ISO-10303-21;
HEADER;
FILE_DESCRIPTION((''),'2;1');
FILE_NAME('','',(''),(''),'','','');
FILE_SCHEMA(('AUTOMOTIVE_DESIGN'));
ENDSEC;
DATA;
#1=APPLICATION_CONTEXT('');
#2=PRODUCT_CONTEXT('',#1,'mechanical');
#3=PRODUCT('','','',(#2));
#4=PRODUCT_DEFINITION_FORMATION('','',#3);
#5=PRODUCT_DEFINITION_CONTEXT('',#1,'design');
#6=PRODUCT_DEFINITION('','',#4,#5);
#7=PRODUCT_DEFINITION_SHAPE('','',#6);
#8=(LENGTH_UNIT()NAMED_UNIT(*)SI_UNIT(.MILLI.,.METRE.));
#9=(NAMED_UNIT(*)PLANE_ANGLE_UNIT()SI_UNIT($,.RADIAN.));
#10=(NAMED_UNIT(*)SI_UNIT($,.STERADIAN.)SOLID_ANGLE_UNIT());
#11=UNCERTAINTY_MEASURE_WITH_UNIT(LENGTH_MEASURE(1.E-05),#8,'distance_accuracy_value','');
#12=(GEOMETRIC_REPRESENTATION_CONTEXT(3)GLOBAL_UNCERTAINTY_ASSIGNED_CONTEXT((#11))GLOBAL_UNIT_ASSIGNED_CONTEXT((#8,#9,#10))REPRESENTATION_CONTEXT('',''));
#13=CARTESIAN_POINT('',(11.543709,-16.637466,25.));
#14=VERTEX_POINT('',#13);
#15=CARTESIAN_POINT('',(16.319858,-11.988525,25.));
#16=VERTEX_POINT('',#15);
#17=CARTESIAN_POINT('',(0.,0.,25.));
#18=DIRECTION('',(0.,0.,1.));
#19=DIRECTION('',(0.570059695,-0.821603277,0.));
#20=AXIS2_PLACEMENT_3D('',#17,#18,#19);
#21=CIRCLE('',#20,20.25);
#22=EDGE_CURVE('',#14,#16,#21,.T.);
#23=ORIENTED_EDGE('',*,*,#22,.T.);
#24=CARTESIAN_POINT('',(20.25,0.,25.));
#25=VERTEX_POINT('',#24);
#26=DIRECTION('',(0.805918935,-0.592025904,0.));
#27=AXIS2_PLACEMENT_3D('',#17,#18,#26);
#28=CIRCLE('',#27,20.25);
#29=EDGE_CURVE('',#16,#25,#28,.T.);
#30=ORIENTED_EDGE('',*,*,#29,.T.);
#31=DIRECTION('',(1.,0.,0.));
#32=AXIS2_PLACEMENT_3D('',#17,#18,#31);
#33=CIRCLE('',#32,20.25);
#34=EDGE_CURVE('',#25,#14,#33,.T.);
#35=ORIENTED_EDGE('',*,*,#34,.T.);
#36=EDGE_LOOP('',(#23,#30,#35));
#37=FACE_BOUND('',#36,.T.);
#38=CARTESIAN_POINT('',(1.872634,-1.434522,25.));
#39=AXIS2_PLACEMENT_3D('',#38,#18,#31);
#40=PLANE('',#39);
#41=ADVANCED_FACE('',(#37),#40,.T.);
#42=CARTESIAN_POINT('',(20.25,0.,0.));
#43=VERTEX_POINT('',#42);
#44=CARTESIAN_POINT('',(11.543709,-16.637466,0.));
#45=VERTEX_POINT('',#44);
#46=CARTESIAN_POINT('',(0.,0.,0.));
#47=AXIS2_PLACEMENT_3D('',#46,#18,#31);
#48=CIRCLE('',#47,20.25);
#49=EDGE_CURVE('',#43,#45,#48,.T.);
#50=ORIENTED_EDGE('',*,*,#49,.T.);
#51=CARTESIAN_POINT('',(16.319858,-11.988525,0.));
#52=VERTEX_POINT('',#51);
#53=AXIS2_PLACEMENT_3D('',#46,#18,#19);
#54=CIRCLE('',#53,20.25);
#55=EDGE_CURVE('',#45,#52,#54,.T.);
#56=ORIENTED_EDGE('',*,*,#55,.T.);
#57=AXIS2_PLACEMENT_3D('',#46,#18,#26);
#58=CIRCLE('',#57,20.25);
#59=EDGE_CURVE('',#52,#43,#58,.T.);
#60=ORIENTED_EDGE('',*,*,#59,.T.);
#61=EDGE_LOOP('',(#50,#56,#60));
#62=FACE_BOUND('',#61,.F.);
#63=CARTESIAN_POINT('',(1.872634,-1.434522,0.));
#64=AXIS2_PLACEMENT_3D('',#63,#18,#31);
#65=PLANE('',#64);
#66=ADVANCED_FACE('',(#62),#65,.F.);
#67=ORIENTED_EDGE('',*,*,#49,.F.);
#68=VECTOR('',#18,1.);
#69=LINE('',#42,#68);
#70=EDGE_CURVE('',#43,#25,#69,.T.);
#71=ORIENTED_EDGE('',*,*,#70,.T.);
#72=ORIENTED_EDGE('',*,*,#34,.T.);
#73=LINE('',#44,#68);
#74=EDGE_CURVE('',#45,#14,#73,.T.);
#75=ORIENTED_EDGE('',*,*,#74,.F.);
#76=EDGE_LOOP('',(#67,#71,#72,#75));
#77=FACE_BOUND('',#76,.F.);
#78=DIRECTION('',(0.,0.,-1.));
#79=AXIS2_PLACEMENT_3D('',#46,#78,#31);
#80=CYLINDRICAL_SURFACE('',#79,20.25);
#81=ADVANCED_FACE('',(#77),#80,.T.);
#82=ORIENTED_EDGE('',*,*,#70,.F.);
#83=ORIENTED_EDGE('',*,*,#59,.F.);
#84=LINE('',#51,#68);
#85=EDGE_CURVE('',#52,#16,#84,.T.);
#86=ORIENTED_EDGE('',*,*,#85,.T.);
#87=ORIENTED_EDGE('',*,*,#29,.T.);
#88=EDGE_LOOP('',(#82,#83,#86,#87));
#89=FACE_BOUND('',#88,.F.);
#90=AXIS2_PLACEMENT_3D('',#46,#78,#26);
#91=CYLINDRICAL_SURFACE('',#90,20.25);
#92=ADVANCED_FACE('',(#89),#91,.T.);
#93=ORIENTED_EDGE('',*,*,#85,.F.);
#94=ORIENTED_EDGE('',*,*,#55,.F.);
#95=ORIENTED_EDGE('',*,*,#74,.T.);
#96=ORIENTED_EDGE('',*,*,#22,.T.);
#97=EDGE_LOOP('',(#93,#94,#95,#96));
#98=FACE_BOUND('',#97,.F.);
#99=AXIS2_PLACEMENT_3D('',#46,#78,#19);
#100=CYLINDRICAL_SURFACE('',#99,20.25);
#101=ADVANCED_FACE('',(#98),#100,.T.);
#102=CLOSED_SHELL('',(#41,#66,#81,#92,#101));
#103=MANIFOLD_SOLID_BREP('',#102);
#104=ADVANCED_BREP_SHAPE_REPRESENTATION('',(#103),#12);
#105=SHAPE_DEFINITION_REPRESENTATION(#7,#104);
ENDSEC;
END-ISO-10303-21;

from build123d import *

# Parameters (mm, degrees)
F0_R     = 3
F1_DEPTH = 25


with BuildPart() as f1:
    # F0 (on Top) → F1 (new body)
    with BuildSketch(Plane.XY):
        with BuildLine():
            ThreePointArc((16.3198584303, -11.9885245471), (19.2423963322, -6.3081442115), (20.25, 0))
            ThreePointArc((20.25, 0), (-17.9418867962, 9.3888869518), (11.5437088204, -16.6374663537))
            ThreePointArc((11.5437088204, -16.6374663537), (8.6838704474, -8.921484969), (16.3198584303, -11.988524547))
        make_face()
        with BuildLine():
            ThreePointArc((16.3198584303, -11.988524547), (8.6838704474, -8.921484969), (11.5437088204, -16.6374663537))
            ThreePointArc((11.5437088204, -16.6374663537), (14.1243675952, -14.510849046), (16.3198584303, -11.9885245471))
        make_face()
        with Locations((11.8226188019, -12.1461180904)):
            Circle(F0_R, mode=Mode.SUBTRACT)
        with Locations((11.8226188019, -12.1461180904)):
            Circle(F0_R)
    extrude(amount=F1_DEPTH)


solid = f1.part
